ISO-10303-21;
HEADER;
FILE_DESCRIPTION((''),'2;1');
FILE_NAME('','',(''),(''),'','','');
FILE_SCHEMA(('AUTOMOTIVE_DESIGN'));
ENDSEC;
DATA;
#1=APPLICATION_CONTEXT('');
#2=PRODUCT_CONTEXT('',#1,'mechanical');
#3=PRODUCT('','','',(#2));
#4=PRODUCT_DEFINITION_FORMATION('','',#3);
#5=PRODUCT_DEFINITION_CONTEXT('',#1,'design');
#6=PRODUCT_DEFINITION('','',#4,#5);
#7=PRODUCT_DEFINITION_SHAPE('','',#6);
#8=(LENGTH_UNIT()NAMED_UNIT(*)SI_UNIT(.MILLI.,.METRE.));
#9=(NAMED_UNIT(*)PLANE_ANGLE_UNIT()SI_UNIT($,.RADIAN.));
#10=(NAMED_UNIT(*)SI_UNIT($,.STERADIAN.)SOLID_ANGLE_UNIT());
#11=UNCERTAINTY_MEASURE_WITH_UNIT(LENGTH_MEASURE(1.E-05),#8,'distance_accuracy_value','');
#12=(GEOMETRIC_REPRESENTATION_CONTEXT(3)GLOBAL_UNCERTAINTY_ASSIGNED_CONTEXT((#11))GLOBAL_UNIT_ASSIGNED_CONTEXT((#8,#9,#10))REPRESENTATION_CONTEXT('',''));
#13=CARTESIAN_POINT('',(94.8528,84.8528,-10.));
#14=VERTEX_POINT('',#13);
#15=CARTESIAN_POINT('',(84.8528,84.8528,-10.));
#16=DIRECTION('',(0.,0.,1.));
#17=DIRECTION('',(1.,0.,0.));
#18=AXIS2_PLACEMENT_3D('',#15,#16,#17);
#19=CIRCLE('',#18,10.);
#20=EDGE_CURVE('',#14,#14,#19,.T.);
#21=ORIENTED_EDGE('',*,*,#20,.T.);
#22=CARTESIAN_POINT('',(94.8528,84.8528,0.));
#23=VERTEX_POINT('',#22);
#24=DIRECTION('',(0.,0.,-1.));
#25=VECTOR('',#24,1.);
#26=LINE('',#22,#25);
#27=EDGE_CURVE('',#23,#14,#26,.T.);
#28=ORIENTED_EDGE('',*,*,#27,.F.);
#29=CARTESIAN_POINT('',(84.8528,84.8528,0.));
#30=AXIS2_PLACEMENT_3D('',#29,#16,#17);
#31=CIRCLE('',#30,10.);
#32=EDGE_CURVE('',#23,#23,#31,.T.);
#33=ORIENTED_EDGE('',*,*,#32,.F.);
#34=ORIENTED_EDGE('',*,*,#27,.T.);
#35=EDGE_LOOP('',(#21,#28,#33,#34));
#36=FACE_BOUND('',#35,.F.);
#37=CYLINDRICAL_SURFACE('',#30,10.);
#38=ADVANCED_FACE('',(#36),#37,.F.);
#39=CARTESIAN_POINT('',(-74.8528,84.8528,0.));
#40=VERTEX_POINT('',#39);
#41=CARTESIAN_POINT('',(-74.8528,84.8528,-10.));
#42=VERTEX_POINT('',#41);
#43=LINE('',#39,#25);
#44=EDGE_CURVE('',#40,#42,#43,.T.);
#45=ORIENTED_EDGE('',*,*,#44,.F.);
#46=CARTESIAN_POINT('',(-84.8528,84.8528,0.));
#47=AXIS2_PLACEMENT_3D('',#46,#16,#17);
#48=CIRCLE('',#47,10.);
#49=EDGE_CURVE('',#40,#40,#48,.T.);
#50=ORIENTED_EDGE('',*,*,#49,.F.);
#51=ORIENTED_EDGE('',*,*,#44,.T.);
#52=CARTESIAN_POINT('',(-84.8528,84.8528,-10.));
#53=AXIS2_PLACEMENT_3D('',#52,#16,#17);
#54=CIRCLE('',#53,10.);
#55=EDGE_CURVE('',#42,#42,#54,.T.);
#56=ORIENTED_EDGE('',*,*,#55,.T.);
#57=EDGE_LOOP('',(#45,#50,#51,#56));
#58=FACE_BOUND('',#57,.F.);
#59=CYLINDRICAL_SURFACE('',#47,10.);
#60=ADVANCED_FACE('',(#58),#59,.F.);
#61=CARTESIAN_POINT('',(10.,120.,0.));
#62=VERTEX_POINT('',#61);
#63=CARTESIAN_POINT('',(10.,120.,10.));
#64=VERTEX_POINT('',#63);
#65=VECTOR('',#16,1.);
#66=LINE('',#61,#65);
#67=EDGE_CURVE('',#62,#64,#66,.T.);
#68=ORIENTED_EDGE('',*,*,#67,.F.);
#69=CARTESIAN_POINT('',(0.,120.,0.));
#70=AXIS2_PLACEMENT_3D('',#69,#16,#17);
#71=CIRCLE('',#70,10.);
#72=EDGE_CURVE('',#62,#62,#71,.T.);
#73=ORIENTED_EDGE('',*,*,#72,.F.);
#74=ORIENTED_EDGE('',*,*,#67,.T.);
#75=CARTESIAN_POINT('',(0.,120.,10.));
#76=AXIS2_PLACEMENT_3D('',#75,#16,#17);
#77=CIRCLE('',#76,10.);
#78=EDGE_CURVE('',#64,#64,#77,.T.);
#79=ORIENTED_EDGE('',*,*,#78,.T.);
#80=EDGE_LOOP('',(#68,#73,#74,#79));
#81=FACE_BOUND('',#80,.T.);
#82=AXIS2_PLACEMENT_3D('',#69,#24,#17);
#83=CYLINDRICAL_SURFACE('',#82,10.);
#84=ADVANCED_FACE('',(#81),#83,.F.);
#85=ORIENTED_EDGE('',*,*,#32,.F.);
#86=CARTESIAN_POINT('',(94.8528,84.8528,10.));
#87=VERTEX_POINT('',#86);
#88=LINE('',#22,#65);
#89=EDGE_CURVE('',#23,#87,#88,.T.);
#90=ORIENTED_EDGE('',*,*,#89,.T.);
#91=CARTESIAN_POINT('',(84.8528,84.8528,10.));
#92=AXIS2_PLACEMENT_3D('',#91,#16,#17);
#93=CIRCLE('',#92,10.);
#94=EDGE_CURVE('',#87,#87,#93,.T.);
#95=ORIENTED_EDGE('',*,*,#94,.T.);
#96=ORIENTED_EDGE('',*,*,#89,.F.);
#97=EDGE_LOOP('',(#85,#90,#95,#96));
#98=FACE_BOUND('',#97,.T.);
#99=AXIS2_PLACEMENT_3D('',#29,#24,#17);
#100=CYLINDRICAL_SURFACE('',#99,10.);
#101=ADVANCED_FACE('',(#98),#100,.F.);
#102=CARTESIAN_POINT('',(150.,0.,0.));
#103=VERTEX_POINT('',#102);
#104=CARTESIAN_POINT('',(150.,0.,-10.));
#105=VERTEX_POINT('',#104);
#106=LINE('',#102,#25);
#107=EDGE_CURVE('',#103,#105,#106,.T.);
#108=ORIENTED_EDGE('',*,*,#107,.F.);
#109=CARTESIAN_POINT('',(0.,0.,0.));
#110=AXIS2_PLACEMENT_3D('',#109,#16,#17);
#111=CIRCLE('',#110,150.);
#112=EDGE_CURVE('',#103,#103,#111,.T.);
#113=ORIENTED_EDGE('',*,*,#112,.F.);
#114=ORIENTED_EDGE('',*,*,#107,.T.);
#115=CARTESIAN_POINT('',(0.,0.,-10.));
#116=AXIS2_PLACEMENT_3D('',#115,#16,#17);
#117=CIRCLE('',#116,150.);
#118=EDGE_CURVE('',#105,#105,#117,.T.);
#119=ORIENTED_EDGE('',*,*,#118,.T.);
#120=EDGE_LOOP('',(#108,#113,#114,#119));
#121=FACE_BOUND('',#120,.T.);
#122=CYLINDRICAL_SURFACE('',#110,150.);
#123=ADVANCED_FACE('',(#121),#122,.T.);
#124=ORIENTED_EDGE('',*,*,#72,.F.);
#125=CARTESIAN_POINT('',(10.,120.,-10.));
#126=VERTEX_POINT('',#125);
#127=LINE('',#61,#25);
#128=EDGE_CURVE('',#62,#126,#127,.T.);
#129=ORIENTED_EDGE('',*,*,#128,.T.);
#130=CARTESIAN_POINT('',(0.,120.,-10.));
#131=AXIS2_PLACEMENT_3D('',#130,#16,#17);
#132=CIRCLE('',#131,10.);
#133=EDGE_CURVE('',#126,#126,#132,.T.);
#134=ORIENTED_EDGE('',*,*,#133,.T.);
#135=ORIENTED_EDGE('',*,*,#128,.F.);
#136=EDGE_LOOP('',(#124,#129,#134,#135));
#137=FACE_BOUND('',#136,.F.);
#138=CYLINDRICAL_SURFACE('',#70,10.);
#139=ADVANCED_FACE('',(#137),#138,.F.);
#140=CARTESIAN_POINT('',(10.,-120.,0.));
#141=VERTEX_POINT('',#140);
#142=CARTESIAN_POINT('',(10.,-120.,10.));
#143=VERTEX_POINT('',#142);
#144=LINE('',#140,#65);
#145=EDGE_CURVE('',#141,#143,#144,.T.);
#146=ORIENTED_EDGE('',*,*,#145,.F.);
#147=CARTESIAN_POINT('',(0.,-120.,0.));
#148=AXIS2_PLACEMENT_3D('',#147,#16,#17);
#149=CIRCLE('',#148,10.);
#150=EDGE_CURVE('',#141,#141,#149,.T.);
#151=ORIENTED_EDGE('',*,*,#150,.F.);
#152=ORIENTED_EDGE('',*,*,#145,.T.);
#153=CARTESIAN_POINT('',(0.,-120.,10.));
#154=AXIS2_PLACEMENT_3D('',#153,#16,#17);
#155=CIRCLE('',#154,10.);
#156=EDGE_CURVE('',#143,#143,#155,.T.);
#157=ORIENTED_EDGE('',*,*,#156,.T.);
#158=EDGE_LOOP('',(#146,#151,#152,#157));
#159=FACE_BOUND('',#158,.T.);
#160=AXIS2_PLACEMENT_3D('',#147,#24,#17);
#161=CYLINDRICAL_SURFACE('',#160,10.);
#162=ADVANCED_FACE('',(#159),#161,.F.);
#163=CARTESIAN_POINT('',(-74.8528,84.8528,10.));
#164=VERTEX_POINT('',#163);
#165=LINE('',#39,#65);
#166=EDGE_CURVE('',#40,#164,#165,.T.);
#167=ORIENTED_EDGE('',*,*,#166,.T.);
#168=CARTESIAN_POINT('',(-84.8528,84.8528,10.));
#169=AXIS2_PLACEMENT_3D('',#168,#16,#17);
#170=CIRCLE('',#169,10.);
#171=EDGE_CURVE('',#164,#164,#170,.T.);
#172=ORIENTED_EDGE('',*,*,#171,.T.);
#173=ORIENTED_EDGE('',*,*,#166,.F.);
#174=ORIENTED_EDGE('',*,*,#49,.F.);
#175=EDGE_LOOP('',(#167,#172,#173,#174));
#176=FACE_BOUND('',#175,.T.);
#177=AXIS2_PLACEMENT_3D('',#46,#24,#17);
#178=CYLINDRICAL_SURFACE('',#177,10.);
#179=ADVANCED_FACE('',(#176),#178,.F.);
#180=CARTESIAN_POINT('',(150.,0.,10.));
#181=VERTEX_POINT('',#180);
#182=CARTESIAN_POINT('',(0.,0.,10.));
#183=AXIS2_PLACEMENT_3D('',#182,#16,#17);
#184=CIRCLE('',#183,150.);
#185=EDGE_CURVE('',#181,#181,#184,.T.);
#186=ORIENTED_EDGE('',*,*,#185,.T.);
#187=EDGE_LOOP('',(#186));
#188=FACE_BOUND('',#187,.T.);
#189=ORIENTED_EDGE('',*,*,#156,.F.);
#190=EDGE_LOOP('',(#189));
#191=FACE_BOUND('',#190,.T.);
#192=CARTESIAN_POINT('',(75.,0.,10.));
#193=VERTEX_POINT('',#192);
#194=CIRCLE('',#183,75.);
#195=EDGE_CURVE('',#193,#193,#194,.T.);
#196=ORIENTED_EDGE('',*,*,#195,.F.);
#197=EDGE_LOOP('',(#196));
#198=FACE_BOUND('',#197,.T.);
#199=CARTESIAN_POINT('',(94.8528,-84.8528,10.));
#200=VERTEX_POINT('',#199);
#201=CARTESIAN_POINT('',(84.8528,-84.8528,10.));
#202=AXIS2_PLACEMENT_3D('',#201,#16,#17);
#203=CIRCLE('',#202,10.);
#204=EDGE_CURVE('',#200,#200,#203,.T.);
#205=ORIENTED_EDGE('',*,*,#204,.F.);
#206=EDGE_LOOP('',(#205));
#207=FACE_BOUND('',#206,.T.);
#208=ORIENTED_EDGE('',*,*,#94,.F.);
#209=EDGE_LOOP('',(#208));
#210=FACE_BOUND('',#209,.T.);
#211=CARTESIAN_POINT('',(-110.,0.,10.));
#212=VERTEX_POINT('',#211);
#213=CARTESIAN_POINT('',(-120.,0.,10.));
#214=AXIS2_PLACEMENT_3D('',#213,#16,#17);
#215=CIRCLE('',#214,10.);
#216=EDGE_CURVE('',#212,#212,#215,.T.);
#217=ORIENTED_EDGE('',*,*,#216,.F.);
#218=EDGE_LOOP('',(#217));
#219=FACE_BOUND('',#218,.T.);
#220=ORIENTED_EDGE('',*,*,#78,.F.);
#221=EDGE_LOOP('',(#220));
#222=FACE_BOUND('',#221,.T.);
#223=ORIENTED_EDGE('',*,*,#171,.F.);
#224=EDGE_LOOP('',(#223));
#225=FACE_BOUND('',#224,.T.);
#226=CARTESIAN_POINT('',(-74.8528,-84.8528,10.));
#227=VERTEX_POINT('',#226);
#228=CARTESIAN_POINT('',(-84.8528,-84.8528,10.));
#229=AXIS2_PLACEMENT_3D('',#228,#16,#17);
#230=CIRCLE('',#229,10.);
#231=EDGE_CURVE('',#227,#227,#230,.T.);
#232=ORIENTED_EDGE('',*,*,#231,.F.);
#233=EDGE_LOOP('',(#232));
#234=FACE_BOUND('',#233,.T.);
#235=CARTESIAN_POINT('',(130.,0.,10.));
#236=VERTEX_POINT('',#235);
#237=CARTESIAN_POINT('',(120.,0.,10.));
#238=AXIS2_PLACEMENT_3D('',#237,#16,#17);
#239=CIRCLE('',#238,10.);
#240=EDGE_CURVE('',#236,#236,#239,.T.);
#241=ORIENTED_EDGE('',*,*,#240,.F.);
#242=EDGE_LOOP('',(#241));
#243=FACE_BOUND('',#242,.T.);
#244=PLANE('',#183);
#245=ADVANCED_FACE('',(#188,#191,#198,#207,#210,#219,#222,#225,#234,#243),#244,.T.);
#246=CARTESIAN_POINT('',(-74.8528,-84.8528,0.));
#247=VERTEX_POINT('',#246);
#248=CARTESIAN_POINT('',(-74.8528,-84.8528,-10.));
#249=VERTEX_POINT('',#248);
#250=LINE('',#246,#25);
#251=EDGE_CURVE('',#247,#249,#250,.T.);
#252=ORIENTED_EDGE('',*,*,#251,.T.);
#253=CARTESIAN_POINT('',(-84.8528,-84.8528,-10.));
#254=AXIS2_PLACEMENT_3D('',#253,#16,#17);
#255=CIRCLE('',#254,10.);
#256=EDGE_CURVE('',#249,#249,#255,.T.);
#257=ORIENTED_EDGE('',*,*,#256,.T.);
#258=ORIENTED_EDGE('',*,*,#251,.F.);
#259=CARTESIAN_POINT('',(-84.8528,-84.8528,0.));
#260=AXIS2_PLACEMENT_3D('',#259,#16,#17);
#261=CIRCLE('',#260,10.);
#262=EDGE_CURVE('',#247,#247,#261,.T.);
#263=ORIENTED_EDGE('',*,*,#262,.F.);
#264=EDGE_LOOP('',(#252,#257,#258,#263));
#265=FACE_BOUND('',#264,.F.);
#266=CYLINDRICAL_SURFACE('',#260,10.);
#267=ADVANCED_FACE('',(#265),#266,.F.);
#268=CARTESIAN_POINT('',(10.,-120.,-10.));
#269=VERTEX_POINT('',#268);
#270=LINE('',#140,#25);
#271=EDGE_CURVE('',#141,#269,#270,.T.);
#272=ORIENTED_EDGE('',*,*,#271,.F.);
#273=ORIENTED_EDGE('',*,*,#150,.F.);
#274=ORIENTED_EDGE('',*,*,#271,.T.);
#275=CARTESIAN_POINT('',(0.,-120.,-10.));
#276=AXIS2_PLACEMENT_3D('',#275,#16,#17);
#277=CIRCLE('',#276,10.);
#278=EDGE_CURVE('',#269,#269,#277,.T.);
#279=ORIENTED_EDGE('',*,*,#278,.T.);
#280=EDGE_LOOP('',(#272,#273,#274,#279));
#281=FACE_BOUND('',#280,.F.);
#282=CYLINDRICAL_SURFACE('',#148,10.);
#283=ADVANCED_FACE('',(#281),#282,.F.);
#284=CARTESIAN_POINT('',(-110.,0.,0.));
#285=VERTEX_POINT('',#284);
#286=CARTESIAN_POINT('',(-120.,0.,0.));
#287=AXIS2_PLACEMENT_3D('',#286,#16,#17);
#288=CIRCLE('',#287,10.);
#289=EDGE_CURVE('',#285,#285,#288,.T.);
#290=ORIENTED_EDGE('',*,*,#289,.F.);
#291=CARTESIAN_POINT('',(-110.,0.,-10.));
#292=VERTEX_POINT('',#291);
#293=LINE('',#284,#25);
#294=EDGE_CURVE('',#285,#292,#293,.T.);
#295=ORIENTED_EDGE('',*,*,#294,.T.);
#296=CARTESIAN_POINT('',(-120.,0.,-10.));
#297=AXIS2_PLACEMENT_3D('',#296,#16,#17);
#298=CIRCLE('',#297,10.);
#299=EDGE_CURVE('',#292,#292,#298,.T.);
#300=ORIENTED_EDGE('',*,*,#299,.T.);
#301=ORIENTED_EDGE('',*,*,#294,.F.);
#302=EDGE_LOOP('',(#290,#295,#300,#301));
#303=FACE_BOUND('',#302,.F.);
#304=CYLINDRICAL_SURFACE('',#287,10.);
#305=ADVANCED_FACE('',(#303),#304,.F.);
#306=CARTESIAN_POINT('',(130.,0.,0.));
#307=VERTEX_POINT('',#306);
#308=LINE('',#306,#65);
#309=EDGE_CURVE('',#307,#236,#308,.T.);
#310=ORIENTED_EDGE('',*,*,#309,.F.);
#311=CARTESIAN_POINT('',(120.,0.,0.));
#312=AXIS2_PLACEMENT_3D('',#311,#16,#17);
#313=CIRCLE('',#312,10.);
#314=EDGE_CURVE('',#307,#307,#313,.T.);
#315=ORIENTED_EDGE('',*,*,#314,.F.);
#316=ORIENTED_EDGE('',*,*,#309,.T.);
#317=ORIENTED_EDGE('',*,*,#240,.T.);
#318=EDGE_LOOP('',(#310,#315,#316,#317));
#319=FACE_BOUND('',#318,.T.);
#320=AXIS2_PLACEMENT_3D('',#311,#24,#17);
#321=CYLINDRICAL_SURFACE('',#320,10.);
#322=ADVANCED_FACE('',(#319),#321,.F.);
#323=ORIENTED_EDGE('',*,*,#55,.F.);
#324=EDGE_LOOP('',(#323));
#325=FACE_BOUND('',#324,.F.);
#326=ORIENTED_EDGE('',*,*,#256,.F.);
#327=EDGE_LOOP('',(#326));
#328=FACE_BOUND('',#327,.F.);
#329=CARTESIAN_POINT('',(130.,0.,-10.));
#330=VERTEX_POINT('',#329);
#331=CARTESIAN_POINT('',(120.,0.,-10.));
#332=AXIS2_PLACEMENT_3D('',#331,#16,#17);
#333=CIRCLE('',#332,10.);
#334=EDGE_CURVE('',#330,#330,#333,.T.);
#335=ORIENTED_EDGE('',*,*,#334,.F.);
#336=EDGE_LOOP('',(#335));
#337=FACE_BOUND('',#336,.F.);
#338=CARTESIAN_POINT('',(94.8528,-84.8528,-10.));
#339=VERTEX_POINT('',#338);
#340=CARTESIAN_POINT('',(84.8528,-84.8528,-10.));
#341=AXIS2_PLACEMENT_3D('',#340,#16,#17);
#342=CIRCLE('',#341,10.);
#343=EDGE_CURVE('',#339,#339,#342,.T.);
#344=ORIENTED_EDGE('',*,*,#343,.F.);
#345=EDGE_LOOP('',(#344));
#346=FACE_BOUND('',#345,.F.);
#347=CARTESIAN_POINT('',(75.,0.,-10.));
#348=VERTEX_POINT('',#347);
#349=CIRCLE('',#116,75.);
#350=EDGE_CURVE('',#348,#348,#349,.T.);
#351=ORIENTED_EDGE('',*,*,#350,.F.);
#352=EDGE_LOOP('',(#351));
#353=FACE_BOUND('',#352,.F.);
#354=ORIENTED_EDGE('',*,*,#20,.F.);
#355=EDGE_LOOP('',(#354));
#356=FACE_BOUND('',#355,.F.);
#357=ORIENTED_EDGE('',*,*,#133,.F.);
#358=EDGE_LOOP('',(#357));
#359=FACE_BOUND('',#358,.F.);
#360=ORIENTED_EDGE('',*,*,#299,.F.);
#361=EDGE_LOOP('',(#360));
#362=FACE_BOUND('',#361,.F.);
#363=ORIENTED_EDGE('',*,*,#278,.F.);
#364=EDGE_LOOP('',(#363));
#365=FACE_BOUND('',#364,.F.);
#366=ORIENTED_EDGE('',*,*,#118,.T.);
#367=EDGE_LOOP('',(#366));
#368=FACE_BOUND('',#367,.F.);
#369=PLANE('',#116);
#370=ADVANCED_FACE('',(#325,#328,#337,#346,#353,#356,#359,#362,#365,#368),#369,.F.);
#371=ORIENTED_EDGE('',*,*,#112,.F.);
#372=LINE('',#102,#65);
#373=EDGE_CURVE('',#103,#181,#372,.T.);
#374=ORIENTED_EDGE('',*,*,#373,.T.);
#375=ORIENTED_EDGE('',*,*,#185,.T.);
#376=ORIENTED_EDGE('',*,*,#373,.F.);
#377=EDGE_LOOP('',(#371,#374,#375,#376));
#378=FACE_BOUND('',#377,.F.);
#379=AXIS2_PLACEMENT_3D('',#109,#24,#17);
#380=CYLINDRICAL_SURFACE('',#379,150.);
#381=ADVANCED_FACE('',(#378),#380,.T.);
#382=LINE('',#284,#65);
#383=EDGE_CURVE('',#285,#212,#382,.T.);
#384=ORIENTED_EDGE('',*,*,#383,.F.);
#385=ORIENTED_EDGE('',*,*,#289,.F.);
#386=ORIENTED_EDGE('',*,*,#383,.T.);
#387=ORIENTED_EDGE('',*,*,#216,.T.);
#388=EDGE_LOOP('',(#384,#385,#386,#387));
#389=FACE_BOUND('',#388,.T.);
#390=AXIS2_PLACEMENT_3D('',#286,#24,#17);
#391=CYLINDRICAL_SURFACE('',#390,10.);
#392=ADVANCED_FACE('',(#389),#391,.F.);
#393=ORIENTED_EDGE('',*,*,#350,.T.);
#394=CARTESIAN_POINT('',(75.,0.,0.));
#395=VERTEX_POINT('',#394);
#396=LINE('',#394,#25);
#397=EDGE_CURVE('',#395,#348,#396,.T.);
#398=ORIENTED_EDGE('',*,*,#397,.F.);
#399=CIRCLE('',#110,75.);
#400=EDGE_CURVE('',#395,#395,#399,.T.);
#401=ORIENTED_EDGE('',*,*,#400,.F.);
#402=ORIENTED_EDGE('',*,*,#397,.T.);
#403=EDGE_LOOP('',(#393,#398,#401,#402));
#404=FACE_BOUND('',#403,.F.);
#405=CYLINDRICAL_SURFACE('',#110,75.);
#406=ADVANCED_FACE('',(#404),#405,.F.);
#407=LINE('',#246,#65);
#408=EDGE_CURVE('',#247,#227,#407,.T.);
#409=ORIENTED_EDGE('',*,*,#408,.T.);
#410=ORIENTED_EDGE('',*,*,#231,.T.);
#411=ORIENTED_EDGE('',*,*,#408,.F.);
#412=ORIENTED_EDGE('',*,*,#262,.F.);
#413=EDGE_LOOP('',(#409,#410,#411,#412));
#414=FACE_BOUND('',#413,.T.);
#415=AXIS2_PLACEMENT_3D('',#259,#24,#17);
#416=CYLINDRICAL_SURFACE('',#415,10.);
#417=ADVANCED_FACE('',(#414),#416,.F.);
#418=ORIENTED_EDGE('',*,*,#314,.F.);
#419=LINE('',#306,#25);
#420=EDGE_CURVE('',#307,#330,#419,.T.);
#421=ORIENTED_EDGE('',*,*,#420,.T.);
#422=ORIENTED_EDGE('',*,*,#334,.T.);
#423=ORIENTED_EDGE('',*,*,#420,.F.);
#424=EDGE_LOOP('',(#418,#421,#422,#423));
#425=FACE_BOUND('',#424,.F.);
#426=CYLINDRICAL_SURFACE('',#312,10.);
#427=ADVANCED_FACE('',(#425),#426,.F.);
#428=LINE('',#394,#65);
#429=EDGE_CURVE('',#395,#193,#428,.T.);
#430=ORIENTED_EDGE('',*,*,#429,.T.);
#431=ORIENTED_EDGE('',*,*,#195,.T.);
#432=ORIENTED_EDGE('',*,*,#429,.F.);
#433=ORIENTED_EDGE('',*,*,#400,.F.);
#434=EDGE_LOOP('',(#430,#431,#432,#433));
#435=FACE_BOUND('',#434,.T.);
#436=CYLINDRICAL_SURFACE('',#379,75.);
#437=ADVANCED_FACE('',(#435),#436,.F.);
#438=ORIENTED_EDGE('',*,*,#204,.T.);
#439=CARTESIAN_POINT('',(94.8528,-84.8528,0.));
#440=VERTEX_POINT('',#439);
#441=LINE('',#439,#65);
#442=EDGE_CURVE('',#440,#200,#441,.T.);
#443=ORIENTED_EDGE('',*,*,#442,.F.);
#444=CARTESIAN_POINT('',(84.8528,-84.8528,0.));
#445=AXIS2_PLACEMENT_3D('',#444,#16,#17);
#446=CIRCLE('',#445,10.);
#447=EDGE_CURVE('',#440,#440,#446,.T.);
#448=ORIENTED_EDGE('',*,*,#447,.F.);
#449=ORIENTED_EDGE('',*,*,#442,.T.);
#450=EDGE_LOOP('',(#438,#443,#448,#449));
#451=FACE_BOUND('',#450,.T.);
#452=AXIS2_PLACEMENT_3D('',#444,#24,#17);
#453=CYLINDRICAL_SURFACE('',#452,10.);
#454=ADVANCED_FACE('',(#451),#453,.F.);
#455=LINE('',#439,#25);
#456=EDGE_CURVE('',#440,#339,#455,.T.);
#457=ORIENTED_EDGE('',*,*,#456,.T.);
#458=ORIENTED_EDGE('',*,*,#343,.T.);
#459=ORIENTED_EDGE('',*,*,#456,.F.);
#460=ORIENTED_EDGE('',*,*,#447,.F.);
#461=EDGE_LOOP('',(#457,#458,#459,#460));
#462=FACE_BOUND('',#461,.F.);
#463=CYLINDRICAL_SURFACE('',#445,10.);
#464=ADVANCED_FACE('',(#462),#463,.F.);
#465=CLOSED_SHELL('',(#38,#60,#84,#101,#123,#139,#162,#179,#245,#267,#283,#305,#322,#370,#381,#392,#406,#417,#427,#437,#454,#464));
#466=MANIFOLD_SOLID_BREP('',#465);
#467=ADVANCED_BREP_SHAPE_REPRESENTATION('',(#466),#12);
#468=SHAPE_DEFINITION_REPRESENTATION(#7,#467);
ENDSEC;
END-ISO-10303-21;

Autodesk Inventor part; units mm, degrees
ref_plane "YZ Plane" through (0, 0, 0) normal (1, 0, 0) x (0, 1, 0)
ref_plane "XZ Plane" through (0, 0, 0) normal (0, 1, 0) x (-1, 0, 0)
ref_plane "XY Plane" through (0, 0, 0) normal (0, 0, 1) x (1, 0, 0)
sketch "Schizzo1" plane through (0, 0, 0) normal (0, 0, 1) x (1, 0, 0)
  circle A0 centre (0, 0) radius 150
  circle A1 centre (0, 0) radius 75
  circle A2 centre (-120, 0) radius 10
  circle A3 centre (-84.8528, 84.8528) radius 10
  circle A4 centre (0, 120) radius 10
  circle A5 centre (84.8528, 84.8528) radius 10
  circle A6 centre (120, 0) radius 10
  circle A7 centre (84.8528, -84.8528) radius 10
  circle A8 centre (0, -120) radius 10
  circle A9 centre (-84.8528, -84.8528) radius 10
  dimension "d0" = 150
  dimension "d1" = 300
  dimension "d2" = 20
  dimension "d5" = 360
  dimension "d9" = 120
extrude "Estrusione1" add sketch "Schizzo1" along normal mid plane 20
properties part number "05-22-2023 flangia"
